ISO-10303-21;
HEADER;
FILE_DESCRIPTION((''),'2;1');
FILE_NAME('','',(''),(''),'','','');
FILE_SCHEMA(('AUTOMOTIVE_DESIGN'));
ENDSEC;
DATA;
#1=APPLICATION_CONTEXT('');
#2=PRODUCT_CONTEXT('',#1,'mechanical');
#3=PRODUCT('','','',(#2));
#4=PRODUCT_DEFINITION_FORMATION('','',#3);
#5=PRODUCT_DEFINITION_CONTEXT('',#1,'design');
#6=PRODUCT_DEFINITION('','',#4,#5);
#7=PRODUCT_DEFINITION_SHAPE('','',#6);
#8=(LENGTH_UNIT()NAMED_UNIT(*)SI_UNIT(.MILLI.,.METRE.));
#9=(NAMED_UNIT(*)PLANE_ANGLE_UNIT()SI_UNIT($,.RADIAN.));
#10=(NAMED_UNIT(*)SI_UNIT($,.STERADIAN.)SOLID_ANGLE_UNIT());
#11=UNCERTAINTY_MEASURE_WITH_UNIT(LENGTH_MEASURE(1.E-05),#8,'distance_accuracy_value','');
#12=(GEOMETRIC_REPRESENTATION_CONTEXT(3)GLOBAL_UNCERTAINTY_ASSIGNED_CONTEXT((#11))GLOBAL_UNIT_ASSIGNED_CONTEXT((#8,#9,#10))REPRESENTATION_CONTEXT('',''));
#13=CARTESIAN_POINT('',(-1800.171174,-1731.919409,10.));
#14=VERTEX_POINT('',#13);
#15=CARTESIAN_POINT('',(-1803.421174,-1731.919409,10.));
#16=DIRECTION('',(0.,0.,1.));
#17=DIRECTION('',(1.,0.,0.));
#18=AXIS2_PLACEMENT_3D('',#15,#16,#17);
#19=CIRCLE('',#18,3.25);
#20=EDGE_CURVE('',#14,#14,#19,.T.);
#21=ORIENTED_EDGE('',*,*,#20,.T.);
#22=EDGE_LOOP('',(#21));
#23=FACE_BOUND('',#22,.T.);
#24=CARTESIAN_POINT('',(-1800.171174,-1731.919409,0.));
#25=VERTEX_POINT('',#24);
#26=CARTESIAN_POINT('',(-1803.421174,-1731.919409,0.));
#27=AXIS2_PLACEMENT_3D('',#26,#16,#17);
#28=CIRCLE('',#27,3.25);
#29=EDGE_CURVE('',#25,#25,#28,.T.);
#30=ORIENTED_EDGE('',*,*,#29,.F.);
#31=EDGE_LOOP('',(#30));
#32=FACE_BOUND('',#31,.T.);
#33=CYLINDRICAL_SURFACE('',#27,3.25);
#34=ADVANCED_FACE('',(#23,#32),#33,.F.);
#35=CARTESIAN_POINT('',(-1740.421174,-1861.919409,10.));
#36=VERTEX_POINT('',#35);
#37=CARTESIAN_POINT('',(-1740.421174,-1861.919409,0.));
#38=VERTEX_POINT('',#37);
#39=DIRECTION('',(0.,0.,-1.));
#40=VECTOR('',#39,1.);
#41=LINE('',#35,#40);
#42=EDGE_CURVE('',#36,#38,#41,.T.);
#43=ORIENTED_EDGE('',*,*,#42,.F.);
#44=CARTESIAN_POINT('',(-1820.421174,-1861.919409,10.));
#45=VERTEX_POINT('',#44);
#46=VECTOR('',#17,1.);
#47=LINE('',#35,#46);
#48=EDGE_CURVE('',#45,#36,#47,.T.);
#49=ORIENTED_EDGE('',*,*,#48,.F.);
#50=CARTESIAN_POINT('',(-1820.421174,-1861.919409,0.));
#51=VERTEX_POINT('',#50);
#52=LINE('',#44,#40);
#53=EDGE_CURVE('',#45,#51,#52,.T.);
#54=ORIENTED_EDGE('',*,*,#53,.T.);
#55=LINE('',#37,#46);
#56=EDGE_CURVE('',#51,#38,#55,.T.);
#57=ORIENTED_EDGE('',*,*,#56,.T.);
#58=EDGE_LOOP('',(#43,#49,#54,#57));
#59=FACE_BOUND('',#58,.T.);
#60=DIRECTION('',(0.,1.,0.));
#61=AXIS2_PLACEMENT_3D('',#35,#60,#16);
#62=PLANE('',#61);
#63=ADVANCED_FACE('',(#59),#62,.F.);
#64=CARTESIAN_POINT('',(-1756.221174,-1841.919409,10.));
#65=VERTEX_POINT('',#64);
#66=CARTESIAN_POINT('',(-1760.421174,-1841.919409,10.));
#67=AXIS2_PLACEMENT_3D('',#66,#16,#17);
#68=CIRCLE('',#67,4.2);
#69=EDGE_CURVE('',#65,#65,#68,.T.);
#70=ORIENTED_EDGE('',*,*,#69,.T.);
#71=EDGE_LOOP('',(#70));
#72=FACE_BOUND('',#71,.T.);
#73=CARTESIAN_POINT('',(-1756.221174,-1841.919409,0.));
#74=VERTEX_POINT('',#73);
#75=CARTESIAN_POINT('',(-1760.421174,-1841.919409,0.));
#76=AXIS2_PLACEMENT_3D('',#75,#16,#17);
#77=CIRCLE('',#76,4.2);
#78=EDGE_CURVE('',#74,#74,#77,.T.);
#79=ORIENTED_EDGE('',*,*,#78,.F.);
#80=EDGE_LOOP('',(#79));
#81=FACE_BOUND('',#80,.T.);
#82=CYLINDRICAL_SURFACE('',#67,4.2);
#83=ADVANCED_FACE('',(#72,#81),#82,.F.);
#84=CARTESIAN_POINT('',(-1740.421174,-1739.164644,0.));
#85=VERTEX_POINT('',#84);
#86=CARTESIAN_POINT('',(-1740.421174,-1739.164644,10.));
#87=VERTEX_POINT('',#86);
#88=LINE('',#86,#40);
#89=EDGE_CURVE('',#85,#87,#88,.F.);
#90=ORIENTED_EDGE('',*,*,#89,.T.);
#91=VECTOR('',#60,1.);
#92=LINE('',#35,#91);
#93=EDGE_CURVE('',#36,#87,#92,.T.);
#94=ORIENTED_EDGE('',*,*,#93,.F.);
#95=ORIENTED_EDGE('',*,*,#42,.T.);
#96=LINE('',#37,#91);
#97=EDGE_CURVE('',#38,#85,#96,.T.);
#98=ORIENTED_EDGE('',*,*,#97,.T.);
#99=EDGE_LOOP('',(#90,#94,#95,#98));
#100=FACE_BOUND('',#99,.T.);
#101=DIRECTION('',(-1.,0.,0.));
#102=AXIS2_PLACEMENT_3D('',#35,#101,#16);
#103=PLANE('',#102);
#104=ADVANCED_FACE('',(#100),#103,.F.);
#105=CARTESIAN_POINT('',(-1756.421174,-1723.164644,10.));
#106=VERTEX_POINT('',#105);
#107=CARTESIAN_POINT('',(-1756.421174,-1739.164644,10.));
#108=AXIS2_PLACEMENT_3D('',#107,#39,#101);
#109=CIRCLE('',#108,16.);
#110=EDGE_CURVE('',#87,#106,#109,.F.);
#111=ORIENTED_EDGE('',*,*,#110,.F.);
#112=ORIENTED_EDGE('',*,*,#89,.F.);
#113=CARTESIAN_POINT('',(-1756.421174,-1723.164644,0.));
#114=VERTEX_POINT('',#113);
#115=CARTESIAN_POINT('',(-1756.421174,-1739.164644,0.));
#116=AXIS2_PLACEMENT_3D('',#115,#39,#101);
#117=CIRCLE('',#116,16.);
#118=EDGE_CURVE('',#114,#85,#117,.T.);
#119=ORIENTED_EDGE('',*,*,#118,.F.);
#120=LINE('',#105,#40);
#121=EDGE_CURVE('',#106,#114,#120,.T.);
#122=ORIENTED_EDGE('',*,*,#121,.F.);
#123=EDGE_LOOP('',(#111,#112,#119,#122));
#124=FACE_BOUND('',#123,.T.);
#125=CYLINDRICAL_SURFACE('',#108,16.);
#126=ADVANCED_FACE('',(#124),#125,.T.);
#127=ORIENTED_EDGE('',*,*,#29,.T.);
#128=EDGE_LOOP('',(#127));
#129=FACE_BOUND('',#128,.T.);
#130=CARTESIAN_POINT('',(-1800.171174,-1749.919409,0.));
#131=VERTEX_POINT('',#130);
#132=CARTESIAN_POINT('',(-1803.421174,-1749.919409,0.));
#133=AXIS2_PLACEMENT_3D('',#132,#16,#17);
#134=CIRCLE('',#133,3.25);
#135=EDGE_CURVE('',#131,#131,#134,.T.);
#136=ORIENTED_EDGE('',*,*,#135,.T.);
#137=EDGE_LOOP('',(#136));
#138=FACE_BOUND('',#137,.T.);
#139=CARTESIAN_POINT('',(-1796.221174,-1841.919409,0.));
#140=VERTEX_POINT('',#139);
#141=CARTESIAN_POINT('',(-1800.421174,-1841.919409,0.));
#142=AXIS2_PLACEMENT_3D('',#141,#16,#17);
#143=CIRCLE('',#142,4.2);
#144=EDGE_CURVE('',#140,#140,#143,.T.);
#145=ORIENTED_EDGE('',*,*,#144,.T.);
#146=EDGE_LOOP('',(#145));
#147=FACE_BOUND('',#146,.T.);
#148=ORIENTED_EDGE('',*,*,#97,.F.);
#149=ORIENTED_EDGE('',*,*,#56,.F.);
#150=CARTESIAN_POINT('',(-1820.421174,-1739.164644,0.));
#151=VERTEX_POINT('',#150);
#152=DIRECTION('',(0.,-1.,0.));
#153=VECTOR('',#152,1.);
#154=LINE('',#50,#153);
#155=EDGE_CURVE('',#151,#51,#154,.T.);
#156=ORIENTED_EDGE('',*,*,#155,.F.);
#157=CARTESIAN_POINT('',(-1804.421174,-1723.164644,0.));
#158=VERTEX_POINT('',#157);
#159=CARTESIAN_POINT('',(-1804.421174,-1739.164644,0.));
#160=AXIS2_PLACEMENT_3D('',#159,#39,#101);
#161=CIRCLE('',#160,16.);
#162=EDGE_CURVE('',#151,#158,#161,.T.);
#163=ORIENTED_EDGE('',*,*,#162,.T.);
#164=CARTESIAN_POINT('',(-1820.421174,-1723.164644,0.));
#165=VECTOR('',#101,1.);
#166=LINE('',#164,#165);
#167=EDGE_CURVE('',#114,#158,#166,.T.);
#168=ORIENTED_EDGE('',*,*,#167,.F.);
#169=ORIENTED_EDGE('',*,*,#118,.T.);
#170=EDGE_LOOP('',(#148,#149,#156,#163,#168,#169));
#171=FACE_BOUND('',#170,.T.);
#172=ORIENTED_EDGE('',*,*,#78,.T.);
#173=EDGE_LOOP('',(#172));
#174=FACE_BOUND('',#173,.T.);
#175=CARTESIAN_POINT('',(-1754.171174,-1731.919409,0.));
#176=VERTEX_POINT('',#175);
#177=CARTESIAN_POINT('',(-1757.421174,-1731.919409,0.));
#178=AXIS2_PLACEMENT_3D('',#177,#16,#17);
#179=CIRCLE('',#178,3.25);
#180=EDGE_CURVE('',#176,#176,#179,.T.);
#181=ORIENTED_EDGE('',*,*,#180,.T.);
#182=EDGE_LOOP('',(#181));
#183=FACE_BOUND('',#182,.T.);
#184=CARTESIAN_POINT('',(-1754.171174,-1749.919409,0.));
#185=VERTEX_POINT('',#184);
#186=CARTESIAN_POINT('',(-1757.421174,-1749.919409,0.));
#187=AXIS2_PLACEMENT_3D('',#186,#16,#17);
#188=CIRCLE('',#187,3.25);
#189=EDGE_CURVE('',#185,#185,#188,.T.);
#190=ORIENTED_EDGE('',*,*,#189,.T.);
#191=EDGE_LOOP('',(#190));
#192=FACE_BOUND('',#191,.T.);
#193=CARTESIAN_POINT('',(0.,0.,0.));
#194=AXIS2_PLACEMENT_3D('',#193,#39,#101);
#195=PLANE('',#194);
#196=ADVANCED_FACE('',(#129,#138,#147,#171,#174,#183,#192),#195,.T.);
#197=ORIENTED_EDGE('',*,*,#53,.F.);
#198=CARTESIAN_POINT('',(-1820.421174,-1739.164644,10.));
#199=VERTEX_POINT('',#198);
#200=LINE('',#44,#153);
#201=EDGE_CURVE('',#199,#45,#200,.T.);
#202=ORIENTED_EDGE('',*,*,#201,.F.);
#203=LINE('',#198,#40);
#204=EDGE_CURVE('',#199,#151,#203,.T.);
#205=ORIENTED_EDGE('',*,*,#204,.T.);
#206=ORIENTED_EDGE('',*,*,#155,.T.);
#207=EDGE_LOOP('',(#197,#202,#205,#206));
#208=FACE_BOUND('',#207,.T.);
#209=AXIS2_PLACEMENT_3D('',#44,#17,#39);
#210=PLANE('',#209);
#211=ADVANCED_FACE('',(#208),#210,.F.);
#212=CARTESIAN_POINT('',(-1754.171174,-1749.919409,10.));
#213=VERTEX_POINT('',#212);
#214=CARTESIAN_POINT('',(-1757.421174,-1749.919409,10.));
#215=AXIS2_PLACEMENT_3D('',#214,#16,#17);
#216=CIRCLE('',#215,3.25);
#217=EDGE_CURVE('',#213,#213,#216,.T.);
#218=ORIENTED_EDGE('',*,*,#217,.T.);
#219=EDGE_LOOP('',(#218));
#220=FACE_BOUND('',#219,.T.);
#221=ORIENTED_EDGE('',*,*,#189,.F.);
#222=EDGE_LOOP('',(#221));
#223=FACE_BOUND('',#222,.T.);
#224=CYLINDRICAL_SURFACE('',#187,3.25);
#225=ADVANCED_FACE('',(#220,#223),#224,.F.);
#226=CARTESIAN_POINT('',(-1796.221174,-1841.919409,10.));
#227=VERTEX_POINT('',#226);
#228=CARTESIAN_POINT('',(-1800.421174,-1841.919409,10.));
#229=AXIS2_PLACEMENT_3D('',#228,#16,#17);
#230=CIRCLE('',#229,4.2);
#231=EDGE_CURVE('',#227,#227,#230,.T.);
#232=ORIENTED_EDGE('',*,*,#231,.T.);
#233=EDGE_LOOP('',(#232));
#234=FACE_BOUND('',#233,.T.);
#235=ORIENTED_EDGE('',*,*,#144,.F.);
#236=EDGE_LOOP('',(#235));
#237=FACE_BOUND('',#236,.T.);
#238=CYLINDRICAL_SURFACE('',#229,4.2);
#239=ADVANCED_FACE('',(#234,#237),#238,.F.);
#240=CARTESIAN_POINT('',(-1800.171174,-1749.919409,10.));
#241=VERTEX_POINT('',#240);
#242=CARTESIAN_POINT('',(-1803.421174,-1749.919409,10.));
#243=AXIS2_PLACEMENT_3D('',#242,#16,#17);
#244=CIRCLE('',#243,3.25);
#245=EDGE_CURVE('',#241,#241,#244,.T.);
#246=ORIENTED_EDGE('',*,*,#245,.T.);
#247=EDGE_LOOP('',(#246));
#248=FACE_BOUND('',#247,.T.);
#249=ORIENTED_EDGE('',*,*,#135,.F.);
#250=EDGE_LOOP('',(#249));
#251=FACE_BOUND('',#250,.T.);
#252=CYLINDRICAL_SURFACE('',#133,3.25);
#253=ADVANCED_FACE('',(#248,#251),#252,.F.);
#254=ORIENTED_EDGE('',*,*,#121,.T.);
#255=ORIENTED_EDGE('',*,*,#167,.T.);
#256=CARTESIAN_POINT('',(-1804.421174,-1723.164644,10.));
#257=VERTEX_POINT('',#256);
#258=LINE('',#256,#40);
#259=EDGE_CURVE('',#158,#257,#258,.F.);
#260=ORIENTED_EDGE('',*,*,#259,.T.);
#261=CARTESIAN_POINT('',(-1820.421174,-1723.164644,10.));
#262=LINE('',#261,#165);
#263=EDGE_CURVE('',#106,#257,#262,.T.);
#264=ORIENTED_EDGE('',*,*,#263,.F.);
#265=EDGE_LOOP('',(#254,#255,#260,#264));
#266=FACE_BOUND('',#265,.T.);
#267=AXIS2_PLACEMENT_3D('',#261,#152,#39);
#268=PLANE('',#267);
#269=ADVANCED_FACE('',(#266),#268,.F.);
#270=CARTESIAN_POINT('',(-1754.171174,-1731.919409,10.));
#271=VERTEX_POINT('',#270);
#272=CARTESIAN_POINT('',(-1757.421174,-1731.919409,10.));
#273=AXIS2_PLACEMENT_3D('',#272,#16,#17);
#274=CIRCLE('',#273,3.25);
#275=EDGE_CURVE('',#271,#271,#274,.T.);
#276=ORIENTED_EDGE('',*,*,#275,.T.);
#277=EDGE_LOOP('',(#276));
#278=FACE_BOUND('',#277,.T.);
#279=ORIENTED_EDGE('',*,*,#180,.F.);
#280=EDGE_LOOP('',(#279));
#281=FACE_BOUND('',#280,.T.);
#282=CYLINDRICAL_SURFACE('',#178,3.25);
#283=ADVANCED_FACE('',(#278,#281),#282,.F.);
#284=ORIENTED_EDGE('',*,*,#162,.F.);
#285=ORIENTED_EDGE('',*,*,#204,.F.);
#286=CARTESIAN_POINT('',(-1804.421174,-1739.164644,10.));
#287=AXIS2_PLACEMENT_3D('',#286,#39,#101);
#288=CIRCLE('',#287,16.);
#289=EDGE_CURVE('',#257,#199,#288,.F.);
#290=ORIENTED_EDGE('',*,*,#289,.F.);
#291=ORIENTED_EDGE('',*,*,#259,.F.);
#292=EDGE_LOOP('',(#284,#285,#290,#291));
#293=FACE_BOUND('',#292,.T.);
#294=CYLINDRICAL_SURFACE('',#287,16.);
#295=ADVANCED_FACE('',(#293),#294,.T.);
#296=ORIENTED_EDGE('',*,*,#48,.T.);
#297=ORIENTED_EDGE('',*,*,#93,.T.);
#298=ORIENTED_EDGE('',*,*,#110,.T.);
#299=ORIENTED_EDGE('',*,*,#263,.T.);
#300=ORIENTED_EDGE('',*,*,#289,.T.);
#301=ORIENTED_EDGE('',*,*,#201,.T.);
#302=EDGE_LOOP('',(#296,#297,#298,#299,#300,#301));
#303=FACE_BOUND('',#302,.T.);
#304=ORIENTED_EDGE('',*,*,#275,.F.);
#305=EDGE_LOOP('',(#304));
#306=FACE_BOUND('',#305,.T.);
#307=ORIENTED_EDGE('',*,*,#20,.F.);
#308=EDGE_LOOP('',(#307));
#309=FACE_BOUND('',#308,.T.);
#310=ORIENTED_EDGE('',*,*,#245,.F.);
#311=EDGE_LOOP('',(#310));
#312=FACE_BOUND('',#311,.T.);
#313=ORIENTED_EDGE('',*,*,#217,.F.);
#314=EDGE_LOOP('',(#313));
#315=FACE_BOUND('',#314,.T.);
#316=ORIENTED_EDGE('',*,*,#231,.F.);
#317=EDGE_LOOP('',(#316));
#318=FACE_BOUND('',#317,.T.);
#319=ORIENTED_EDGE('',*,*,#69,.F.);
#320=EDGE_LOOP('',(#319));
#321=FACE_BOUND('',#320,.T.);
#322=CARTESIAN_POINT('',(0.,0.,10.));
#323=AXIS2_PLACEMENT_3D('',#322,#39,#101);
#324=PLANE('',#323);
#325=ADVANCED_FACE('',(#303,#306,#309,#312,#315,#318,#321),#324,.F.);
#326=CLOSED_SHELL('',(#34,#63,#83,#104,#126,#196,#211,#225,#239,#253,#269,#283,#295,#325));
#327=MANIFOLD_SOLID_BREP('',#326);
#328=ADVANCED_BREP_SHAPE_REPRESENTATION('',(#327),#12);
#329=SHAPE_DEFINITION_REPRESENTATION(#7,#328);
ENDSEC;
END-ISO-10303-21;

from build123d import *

# Parameters (mm, degrees)
SKETCH1_W                = 80
SKETCH1_H                = 138.754765379
BOSS_EXTRUDE1_DEPTH      = 10
FORO_PER_VITE_M8_1_D     = 8.4
SCHIZZO1_R               = 3.25
TAGLIO_ESTRUSIONE1_DEPTH = 2604.992537461
RACCORDO1_R              = 16


with BuildPart() as part:
    # Sketch1 → Boss-Extrude1 (new body)
    with BuildSketch(Plane.XY):
        with Locations((-1780.42117355, -1792.542026427)):
            Rectangle(SKETCH1_W, SKETCH1_H)
    extrude(amount=BOSS_EXTRUDE1_DEPTH)

    # Foro per Vite M8-1 (through all)
    with Locations(Plane.XY.offset(10)):
        with Locations((-1760.42117355, -1841.919409116), (-1800.42117355, -1841.919409116)):
            Hole(FORO_PER_VITE_M8_1_D / 2)

    # Schizzo1 → Taglio-Estrusione1 (cut, through all)
    with BuildSketch(Plane.XY.offset(10)):
        with Locations((-1803.421173548, -1731.919409116)):
            Circle(SCHIZZO1_R)
        with Locations((-1803.421173548, -1749.919409116)):
            Circle(SCHIZZO1_R)
        with Locations((-1757.421173548, -1731.919409116)):
            Circle(SCHIZZO1_R)
        with Locations((-1757.421173548, -1749.919409116)):
            Circle(SCHIZZO1_R)
    extrude(amount=-TAGLIO_ESTRUSIONE1_DEPTH, mode=Mode.SUBTRACT)

    # Raccordo1
    raccordo1_edges = [part.edges().sort_by_distance(p)[0] for p in [
        (-1820.42117355, -1723.164643737, 5),
        (-1740.42117355, -1723.164643737, 5),
    ]]
    fillet(raccordo1_edges, radius=RACCORDO1_R)


solid = part.part
